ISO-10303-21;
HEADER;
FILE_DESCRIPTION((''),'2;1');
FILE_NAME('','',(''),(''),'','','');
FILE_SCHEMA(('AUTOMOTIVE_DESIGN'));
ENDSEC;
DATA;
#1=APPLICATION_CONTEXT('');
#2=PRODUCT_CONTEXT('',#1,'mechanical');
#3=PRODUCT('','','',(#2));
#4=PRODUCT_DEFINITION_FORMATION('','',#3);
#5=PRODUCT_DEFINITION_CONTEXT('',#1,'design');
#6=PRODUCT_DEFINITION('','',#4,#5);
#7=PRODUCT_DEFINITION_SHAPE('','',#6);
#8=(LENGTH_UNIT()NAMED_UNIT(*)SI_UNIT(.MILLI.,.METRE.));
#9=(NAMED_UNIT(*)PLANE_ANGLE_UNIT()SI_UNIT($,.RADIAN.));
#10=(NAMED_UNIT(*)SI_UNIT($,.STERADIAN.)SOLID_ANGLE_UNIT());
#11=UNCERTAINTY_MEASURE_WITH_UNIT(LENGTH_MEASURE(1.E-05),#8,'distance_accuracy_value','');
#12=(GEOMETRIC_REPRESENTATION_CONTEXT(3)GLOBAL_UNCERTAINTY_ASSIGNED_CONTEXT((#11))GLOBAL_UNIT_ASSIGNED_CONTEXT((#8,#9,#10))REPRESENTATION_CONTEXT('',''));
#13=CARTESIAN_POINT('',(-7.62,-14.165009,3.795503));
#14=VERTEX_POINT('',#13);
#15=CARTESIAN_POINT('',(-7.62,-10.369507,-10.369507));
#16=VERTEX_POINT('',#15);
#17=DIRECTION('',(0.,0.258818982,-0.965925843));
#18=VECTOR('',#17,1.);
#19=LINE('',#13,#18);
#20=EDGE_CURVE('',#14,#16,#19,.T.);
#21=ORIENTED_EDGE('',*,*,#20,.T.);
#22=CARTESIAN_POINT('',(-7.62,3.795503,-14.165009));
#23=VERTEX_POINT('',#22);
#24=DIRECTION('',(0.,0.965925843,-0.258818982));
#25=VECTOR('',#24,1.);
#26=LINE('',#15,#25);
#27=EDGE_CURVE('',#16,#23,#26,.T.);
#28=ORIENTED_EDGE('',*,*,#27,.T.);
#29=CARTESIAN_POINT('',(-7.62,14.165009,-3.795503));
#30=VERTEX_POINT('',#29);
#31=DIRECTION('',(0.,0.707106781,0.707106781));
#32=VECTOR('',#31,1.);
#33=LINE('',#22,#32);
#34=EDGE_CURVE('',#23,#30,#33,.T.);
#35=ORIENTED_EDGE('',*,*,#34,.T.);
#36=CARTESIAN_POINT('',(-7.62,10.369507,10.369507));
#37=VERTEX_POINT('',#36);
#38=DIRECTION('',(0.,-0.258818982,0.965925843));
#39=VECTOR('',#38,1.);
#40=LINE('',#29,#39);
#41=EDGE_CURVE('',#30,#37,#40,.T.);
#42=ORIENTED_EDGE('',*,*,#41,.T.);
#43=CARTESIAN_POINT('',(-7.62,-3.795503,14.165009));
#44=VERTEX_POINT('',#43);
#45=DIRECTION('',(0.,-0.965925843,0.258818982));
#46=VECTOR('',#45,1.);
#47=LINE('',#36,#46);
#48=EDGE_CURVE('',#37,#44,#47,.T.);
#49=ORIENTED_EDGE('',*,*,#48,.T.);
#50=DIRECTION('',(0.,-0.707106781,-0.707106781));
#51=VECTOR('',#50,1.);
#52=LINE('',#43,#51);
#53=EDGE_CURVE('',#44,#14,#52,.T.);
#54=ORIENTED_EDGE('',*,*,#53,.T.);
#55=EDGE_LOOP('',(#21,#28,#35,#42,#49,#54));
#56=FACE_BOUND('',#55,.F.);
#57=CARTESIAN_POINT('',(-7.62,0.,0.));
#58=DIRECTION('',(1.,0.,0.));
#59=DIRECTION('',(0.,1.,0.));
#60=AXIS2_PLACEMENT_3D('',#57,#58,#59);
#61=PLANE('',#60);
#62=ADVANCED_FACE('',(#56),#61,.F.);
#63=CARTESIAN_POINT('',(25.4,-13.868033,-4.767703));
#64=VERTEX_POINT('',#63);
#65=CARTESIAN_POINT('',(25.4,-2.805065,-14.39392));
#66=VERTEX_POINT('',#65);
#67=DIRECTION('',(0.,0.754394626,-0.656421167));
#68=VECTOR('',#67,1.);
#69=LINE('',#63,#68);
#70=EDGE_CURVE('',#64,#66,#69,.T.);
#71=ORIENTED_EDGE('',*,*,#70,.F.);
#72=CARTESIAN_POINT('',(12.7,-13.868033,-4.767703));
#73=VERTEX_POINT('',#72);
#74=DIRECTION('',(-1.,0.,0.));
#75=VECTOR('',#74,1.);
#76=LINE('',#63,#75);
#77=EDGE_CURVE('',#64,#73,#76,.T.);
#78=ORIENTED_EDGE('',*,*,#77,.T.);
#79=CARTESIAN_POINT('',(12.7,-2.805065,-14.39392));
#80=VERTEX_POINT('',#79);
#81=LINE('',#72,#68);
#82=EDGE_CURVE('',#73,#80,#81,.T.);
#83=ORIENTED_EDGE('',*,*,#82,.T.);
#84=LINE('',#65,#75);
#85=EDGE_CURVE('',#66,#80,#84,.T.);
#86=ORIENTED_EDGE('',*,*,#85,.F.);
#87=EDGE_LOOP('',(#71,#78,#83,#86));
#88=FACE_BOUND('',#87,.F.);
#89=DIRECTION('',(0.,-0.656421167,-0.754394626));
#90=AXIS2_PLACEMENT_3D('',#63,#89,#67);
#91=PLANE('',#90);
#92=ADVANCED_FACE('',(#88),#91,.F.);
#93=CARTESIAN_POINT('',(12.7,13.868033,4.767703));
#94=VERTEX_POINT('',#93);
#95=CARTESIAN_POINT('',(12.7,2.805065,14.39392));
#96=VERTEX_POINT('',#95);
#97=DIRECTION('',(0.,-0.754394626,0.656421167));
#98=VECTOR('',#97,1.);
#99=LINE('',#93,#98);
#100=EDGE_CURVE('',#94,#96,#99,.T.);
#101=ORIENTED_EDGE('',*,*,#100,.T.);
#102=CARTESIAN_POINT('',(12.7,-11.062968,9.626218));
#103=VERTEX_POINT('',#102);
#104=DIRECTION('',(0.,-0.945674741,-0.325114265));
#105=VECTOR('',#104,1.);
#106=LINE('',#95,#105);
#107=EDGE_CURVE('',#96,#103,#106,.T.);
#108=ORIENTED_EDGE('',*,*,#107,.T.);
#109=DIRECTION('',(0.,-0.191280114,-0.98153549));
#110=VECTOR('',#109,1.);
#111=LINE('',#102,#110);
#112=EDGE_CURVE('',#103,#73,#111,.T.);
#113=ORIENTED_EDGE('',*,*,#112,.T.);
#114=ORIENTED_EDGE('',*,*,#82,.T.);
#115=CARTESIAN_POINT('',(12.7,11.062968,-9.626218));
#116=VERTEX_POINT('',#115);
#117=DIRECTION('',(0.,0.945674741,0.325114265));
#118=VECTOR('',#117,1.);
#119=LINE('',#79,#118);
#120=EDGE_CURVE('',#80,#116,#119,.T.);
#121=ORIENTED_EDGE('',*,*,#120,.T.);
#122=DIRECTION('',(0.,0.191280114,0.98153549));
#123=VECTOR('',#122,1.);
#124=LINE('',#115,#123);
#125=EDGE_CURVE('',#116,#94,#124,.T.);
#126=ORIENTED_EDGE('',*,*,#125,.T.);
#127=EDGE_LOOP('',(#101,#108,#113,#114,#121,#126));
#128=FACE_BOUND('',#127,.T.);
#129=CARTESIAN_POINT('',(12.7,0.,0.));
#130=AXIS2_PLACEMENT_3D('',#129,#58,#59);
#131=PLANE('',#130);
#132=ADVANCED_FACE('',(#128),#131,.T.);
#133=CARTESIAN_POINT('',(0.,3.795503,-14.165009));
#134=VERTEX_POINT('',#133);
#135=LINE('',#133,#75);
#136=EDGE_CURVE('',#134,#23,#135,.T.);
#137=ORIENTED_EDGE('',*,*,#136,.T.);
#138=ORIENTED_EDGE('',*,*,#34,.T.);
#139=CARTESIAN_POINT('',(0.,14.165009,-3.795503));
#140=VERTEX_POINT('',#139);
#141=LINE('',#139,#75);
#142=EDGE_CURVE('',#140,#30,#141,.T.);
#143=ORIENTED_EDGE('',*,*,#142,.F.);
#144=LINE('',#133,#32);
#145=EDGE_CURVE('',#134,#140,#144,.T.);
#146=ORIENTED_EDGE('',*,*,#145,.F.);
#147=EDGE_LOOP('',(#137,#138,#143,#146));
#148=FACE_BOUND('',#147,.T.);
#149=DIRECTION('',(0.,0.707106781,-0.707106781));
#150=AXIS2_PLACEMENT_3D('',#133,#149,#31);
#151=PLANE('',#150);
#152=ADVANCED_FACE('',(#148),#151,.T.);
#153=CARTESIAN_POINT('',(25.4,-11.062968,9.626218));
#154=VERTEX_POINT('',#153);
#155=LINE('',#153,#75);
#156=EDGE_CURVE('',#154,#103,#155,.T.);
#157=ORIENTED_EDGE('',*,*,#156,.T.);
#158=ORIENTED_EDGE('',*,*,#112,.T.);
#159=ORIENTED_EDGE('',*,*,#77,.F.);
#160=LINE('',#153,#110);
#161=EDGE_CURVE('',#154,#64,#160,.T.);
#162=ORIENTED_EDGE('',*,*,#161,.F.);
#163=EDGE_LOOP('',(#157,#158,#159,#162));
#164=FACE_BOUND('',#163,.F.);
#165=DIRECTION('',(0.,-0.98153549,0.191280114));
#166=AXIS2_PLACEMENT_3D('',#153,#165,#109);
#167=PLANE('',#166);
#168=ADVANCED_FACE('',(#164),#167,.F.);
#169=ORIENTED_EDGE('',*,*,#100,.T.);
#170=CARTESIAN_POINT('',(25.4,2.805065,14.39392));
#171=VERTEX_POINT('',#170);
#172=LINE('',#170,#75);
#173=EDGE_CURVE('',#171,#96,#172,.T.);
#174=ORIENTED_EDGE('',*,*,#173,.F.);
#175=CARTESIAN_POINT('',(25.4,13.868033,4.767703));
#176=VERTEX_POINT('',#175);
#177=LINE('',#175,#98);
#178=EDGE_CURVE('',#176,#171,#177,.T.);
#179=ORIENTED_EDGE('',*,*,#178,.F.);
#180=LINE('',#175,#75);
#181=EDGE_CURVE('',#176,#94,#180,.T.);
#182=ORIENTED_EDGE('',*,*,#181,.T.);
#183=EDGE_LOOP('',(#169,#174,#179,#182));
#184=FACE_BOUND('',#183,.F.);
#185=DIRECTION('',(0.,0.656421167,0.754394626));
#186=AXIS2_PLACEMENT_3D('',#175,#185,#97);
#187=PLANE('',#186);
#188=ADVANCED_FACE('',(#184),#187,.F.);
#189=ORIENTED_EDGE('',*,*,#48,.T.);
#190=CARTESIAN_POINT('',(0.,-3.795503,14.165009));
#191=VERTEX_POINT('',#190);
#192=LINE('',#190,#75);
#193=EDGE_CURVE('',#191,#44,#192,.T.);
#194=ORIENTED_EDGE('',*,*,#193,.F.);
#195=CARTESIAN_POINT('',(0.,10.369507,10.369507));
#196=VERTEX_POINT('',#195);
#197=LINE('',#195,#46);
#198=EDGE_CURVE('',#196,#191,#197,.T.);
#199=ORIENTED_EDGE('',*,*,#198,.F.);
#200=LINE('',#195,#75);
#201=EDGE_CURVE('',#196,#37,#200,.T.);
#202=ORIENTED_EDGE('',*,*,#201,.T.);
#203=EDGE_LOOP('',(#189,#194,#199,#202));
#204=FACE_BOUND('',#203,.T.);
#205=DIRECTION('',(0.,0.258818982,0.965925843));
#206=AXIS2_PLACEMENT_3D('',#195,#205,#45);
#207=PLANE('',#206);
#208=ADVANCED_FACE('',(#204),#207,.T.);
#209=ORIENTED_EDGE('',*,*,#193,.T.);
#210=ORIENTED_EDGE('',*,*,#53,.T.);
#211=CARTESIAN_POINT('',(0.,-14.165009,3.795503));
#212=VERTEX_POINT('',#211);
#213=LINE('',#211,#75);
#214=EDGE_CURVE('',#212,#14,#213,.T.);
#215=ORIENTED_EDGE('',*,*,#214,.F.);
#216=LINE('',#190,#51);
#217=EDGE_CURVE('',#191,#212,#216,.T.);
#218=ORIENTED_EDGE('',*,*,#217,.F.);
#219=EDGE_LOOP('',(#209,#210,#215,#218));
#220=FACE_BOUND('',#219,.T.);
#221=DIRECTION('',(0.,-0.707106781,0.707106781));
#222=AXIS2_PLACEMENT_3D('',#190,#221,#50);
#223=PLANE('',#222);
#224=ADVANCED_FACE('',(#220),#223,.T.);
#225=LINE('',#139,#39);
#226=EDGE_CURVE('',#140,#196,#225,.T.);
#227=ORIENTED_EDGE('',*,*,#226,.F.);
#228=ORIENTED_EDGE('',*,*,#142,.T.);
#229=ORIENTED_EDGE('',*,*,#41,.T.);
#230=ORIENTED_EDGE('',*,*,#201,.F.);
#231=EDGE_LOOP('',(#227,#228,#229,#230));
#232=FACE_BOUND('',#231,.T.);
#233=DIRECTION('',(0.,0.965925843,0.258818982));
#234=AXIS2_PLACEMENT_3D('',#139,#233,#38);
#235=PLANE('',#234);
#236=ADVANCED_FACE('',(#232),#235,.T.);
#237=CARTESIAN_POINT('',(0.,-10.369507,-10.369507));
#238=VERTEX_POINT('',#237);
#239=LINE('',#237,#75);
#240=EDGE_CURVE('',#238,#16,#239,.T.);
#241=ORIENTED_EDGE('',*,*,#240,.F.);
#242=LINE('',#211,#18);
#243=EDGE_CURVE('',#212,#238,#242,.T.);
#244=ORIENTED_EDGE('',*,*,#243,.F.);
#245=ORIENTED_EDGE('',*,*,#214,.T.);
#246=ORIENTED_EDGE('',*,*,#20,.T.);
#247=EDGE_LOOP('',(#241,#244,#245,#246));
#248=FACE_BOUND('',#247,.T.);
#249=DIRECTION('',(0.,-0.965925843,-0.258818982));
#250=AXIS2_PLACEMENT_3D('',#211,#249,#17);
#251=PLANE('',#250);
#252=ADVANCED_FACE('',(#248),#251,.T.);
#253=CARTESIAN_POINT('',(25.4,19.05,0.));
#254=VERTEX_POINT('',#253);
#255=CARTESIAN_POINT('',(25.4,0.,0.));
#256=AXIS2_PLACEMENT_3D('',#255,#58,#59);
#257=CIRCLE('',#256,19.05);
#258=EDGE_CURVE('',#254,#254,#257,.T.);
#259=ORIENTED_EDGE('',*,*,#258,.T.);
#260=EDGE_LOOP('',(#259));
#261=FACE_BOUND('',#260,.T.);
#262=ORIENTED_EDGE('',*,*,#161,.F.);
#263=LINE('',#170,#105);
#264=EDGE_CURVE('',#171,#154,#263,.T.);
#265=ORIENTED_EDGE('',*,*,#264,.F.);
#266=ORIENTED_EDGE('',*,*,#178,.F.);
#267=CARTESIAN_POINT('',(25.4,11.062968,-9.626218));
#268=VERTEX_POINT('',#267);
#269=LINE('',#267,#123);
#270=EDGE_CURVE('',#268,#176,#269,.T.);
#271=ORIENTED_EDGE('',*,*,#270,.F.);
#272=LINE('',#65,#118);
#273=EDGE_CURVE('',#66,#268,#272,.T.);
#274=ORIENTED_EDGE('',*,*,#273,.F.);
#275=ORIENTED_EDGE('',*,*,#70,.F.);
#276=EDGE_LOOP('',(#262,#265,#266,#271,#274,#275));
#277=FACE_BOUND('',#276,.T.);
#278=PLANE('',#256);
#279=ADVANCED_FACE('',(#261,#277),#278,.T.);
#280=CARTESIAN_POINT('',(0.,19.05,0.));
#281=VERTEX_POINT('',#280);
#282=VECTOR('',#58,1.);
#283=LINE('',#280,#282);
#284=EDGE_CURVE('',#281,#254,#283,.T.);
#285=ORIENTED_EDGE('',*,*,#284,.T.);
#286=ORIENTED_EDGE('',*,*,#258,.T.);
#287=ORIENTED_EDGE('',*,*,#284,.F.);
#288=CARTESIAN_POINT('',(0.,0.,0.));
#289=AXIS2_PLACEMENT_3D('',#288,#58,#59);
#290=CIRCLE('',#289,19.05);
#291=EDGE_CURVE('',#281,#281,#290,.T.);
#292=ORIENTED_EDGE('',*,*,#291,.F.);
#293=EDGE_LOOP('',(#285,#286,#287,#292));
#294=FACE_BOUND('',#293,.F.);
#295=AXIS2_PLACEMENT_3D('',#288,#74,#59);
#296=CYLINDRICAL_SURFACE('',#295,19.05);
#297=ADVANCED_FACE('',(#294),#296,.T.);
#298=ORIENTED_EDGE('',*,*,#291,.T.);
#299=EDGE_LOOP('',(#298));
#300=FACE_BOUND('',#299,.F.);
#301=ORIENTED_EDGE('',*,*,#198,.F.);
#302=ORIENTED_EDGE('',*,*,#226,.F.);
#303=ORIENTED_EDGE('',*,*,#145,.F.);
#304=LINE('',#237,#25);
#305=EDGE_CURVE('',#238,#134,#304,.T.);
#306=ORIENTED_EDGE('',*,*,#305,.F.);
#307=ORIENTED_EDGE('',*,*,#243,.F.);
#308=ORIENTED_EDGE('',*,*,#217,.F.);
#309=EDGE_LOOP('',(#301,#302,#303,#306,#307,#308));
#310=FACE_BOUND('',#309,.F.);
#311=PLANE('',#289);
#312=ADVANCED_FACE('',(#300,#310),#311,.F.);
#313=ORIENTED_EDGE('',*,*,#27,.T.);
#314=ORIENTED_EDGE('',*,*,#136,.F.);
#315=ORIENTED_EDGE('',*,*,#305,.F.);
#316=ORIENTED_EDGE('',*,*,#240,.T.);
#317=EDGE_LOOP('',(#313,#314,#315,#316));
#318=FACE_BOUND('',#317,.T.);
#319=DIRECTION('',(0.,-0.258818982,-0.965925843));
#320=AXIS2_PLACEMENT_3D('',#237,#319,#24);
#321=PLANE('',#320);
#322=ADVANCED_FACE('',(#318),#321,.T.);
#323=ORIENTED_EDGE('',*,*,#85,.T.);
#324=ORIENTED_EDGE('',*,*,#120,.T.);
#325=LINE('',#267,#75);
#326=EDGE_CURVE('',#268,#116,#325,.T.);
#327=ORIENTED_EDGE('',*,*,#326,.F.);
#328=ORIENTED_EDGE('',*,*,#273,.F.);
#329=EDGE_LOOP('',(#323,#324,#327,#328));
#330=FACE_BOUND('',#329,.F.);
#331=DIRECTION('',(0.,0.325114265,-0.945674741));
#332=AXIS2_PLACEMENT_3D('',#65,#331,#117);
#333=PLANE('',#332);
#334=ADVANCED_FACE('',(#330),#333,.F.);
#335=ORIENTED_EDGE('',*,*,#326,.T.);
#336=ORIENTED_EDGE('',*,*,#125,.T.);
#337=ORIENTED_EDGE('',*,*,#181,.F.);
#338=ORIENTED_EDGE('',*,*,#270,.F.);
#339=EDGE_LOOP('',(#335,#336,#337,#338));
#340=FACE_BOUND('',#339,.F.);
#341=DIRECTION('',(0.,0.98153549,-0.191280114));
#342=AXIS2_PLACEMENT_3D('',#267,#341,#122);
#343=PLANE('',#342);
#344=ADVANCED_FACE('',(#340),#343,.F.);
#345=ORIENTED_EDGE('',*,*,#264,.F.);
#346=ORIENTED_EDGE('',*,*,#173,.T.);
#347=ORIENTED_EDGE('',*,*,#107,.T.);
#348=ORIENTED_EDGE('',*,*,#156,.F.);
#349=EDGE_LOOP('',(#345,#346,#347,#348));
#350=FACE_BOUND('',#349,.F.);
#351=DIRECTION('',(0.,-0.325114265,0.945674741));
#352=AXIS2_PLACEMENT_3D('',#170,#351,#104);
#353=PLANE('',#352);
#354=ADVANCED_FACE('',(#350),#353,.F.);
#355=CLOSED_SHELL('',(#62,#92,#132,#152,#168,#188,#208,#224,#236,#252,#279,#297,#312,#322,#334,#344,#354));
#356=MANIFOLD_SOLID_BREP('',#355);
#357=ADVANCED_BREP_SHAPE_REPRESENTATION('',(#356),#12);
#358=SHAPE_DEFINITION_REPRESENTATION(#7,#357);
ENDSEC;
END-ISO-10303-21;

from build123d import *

# Parameters (mm, degrees)
F0_R     = 19.05
F1_DEPTH = 25.4
F3_DEPTH = 12.7
F5_DEPTH = 7.62


with BuildPart() as f1:
    # F0 (on Right) → F1 (new body)
    with BuildSketch(Plane.YZ):
        Circle(F0_R)
    extrude(amount=F1_DEPTH)

    # F2 (on face) + F0 (on Right) → F3 (cut)
    with BuildSketch(Plane.YZ.offset(25.4)):
        Polygon((13.868033, 4.767703), (2.805065, 14.39392), (-11.062968, 9.626218), (-13.868033, -4.767703), (-2.805065, -14.39392), (11.062968, -9.626218), align=None)
    with BuildSketch(Plane.YZ):
        Circle(F0_R)
    extrude(amount=-F3_DEPTH, mode=Mode.SUBTRACT)

    # F4 (on Right) → F5 (join)
    with BuildSketch(Plane.YZ):
        Polygon((3.795503, -14.165009), (14.165009, -3.795503), (10.369507, 10.369507), (-3.795503, 14.165009), (-14.165009, 3.795503), (-10.369507, -10.369507), align=None)
    extrude(amount=-F5_DEPTH)


solid = f1.part
